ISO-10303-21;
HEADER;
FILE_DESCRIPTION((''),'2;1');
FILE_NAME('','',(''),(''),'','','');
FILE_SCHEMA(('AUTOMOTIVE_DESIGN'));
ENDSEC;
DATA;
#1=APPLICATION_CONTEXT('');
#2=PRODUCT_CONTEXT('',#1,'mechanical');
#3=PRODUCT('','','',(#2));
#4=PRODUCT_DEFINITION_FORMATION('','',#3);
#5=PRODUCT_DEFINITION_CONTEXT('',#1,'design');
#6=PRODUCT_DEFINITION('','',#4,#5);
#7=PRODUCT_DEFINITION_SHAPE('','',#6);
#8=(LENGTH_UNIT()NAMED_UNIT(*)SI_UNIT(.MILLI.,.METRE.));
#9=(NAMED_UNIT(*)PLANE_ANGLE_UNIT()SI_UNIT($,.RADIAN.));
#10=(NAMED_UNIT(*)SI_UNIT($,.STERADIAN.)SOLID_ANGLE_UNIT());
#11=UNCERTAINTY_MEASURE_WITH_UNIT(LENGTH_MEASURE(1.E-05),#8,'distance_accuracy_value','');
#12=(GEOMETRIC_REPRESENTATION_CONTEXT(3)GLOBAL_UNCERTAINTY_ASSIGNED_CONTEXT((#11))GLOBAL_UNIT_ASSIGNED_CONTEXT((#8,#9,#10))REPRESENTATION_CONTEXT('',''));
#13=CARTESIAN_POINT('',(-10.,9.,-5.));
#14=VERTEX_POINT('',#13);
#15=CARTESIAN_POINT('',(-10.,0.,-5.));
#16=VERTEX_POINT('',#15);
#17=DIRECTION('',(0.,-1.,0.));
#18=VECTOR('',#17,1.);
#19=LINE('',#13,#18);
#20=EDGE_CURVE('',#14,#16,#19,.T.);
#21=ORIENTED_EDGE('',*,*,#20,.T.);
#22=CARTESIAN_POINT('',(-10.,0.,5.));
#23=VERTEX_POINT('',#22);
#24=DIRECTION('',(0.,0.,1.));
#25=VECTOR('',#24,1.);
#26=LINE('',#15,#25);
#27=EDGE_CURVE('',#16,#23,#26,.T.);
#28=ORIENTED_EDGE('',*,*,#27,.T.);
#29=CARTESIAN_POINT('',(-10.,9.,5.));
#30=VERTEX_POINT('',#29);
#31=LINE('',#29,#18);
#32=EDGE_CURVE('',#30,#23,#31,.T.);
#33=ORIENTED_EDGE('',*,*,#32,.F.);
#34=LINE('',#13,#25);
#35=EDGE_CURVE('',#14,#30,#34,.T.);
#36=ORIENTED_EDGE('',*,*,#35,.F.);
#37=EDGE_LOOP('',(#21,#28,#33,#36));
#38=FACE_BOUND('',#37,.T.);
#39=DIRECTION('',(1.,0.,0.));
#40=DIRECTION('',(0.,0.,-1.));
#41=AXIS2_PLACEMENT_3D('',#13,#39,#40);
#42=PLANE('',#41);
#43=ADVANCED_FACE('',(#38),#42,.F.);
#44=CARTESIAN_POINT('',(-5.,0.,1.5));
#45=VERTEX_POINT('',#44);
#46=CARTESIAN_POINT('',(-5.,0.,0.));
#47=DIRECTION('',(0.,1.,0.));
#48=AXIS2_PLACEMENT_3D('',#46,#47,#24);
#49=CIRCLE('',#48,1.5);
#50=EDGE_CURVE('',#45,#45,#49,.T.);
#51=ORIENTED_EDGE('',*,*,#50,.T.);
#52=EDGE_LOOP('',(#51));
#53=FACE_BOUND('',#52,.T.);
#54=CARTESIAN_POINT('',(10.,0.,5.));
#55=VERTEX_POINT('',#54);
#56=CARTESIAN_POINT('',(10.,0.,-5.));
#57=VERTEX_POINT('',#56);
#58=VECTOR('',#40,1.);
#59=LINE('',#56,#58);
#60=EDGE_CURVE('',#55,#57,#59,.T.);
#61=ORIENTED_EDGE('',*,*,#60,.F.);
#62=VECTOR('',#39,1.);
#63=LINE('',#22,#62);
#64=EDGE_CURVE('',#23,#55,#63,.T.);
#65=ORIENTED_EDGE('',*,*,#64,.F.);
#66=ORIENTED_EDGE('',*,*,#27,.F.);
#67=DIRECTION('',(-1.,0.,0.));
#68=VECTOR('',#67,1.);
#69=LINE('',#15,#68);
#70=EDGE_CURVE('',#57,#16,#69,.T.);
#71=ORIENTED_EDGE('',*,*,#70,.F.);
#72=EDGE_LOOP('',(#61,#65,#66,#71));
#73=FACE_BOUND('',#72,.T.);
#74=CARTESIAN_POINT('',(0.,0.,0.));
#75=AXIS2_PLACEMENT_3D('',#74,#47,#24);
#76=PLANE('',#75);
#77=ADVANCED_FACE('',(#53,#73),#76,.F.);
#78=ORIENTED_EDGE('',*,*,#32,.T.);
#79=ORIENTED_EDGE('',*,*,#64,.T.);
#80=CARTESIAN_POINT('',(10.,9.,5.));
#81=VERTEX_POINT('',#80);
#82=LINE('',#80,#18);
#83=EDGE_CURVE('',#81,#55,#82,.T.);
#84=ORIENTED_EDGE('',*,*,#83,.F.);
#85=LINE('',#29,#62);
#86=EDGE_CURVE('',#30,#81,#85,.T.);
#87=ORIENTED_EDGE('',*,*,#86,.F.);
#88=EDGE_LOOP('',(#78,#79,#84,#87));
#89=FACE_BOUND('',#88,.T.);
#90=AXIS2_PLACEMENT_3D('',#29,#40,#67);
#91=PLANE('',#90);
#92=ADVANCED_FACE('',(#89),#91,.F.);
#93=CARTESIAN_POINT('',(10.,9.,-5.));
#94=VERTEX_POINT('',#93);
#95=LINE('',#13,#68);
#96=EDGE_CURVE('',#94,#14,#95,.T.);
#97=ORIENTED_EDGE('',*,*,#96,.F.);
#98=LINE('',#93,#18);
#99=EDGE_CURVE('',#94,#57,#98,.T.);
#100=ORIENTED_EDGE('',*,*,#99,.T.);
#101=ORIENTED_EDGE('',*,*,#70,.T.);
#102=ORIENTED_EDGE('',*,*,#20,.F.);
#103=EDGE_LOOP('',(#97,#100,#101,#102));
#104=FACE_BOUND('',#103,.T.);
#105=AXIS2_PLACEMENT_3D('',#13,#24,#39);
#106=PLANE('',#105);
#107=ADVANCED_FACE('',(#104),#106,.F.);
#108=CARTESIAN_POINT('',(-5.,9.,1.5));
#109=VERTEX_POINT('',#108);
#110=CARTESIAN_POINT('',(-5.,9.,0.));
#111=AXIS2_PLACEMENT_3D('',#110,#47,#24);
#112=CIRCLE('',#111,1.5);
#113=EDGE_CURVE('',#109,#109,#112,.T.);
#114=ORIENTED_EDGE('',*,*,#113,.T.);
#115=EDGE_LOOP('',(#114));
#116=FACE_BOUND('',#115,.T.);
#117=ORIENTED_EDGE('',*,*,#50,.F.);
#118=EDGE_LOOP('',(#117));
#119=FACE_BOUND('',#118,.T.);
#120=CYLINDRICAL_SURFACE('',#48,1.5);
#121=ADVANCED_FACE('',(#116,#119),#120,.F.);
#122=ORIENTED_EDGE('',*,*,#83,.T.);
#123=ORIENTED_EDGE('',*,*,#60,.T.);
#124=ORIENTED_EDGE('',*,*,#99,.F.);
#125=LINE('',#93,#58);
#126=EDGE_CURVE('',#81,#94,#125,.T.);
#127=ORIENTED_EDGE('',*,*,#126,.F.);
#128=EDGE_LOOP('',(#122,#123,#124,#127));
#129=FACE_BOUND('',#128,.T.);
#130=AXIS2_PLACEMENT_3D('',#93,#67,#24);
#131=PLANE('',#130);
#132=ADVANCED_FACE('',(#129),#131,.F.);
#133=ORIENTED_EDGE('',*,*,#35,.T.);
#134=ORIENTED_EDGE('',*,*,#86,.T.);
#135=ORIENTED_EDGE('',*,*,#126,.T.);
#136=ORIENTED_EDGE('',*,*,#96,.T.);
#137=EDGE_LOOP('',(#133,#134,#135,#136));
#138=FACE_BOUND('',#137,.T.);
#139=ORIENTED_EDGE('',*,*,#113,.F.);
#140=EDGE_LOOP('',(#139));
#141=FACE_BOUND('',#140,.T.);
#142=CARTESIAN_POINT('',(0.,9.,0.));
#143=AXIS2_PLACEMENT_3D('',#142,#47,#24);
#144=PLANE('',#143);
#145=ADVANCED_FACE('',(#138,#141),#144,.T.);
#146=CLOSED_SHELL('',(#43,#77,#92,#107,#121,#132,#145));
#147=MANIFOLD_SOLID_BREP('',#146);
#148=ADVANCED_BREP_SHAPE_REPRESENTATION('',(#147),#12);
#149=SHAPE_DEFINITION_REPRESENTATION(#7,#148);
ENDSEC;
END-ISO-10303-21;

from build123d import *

# Parameters (mm, degrees)
SKETCH_1_W          = 20
SKETCH_1_H          = 10
EXTRUDE_1_DEPTH     = 9
SKETCH_2_R          = 1.5
CUT_EXTRUDE_2_DEPTH = 15.352700094


with BuildPart() as part:
    # 草图1 → 凸台-拉伸1 (new body)
    with BuildSketch(Plane(origin=(0, 0, 0), x_dir=(1, 0, 0), z_dir=(0, 1, 0))):
        Rectangle(SKETCH_1_W, SKETCH_1_H)
    extrude(amount=EXTRUDE_1_DEPTH)

    # 草图2 → 切除-拉伸2 (cut, through all)
    with BuildSketch(Plane(origin=(0, 9, 0), x_dir=(1, 0, 0), z_dir=(0, 1, 0))):
        with Locations(Location((-5, 0, 0), (0, 0, 270))):
            Circle(SKETCH_2_R)
    extrude(amount=-CUT_EXTRUDE_2_DEPTH, mode=Mode.SUBTRACT)


solid = part.part
